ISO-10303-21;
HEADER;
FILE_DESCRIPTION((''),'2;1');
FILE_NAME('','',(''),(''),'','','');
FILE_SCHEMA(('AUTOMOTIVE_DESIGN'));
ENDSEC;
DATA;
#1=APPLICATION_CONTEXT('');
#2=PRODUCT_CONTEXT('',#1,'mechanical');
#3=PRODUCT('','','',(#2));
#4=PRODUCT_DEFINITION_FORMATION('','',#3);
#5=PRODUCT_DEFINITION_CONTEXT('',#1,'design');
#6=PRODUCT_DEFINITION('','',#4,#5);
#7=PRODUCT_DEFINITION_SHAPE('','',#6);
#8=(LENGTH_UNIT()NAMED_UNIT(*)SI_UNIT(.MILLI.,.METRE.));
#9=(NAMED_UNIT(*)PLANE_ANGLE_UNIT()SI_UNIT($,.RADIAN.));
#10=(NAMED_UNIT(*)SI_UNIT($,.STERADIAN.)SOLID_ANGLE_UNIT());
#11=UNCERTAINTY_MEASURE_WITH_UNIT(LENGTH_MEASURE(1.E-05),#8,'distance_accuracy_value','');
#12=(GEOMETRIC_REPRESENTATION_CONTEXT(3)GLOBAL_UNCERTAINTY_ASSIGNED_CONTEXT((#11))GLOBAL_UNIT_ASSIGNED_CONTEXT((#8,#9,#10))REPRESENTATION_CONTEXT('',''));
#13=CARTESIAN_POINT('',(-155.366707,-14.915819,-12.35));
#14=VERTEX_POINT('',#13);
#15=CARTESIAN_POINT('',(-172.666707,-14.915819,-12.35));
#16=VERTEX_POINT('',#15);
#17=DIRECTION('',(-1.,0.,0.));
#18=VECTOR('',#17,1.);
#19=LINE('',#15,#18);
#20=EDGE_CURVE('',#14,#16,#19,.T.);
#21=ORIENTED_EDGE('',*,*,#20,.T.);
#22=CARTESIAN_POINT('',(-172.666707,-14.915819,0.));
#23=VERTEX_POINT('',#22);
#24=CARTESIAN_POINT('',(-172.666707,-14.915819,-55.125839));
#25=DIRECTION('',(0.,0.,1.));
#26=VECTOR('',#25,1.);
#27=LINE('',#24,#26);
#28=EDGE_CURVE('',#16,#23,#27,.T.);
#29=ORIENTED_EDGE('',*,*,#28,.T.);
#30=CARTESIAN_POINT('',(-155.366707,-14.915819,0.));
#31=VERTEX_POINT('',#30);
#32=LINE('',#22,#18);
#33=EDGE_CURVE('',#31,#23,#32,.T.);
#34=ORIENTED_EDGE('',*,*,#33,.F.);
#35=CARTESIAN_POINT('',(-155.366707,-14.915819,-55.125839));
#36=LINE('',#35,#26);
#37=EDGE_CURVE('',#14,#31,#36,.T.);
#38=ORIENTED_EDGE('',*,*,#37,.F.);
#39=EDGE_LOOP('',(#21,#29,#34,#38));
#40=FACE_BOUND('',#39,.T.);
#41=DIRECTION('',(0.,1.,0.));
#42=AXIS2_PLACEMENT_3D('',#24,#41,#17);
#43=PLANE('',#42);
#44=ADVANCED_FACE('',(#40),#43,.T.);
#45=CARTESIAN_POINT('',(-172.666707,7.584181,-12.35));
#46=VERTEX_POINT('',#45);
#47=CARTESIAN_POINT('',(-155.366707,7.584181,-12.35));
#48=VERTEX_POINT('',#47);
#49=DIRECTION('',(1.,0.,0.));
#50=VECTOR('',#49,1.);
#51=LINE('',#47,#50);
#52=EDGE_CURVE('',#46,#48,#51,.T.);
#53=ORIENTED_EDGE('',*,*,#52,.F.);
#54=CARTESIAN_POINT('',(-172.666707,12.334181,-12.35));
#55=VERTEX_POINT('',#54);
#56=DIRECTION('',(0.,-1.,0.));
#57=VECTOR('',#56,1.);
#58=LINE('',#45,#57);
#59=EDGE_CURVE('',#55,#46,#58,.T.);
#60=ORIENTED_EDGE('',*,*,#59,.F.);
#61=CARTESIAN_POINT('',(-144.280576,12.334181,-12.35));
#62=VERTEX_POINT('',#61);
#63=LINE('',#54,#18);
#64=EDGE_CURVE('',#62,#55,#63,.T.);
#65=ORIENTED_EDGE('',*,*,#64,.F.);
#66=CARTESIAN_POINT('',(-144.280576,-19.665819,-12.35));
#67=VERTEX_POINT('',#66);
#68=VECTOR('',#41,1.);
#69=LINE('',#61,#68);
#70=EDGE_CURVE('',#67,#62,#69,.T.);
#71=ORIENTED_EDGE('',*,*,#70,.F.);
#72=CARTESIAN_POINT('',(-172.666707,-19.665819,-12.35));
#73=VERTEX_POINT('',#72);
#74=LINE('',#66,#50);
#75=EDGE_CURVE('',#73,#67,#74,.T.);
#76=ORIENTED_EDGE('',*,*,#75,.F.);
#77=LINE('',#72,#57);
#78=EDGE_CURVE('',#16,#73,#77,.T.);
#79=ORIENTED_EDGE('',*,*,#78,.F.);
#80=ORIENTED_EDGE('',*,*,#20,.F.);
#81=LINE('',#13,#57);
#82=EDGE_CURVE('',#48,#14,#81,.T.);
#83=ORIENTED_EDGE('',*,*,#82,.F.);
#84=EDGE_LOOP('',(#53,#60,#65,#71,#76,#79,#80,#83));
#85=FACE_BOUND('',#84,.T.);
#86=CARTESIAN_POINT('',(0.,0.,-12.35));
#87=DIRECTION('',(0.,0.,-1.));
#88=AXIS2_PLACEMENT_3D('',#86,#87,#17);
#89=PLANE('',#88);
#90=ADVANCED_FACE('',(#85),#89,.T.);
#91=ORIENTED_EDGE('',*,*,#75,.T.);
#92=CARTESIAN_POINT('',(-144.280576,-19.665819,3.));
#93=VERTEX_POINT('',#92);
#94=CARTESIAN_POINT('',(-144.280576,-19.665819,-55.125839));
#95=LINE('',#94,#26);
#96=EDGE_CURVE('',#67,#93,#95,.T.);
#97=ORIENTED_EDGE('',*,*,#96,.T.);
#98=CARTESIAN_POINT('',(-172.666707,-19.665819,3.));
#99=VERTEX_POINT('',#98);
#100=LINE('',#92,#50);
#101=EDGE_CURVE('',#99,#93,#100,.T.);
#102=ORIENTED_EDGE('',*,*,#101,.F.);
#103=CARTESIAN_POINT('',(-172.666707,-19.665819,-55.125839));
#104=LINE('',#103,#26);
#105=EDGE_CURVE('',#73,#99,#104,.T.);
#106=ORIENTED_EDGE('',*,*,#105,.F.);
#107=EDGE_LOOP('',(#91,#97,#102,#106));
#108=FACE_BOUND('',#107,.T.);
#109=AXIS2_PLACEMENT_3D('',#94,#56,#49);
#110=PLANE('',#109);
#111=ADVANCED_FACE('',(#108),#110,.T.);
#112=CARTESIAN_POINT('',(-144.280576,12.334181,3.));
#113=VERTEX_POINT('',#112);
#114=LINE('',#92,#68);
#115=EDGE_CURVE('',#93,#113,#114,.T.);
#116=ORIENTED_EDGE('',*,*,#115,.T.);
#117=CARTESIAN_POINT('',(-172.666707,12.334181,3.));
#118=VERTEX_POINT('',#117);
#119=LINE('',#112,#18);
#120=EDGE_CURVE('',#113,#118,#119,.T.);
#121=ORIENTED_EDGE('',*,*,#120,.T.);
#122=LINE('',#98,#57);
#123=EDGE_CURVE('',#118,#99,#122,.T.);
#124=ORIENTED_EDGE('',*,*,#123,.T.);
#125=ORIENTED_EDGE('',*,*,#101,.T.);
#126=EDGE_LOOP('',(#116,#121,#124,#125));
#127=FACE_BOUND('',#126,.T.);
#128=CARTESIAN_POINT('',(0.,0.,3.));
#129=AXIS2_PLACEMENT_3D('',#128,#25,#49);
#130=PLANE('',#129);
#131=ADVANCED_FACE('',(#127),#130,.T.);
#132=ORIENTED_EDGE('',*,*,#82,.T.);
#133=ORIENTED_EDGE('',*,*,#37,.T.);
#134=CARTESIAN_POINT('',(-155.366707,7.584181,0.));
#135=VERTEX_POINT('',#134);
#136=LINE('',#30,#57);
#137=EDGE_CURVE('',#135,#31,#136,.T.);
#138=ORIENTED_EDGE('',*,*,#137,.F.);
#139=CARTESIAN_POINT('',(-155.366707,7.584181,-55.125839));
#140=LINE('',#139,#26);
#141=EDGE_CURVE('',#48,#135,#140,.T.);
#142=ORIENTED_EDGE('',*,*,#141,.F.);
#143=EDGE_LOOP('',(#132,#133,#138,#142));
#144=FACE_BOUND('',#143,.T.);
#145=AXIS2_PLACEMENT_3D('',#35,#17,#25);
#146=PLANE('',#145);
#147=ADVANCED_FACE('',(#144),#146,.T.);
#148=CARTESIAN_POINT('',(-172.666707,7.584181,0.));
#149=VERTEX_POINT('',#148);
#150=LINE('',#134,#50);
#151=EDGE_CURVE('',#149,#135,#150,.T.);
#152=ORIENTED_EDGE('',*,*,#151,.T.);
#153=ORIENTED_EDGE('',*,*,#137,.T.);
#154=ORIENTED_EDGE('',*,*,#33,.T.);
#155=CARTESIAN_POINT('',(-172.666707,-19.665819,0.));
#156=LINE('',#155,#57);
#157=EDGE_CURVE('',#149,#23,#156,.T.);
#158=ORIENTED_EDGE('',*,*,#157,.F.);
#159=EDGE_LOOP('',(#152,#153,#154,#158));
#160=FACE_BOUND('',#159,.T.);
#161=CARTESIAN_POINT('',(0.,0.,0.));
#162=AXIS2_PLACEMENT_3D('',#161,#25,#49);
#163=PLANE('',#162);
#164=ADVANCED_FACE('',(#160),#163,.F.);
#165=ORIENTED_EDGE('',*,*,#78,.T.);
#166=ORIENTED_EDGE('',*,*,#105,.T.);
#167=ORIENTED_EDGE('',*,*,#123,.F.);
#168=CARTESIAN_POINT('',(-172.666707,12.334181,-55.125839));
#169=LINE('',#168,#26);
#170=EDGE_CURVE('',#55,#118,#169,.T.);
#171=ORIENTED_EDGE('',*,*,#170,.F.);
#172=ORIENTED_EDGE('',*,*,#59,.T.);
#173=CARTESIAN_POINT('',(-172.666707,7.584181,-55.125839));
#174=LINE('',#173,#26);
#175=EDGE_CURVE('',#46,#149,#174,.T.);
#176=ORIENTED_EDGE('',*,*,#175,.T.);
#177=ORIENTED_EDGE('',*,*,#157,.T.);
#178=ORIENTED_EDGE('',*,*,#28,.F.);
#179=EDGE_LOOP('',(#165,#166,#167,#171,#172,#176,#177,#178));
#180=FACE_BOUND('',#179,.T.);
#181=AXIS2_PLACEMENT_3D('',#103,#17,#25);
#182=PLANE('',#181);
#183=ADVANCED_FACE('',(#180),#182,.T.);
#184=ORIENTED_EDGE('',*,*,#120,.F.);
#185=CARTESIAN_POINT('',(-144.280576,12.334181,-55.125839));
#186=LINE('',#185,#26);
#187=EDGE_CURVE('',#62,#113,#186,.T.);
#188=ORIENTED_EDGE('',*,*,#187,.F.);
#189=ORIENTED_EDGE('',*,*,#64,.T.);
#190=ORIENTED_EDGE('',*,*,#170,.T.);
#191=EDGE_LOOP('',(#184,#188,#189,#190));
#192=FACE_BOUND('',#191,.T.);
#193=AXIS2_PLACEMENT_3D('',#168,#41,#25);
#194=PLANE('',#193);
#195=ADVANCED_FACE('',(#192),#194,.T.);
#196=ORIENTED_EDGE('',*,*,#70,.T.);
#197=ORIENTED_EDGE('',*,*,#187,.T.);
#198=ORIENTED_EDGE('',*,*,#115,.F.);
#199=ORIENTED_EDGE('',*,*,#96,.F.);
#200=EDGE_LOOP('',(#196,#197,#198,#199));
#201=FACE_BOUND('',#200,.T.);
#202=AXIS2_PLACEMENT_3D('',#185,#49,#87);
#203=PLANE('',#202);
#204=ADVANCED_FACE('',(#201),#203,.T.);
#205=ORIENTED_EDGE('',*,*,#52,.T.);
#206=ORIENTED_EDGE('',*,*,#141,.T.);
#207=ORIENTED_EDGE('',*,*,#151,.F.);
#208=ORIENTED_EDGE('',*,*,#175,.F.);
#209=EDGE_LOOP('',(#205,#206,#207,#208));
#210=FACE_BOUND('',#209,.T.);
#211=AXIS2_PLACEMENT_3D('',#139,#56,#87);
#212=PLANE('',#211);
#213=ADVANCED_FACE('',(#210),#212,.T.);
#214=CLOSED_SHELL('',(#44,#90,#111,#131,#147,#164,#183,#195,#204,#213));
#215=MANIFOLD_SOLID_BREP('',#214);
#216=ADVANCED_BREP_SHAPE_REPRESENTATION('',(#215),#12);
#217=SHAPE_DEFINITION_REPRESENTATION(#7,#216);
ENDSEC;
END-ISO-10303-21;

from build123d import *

# Parameters (mm, degrees)
BOSS_EXTRUDE1_DEPTH = 12.35
SKETCH2_W           = 28.386130872
SKETCH2_H           = 32
BOSS_EXTRUDE2_DEPTH = 3


with BuildPart() as part:
    # Sketch1 → Boss-Extrude1 (new body)
    with BuildSketch(Plane.XY):
        Polygon((-155.366706922, 7.584180911), (-172.666706922, 7.584180911), (-172.666706922, 12.334180911), (-144.28057605, 12.334180911), (-144.28057605, -19.665819089), (-172.666706922, -19.665819089), (-172.666706922, -14.915819089), (-155.366706922, -14.915819089), align=None)
    extrude(amount=-BOSS_EXTRUDE1_DEPTH)

    # Sketch2 → Boss-Extrude2 (add)
    with BuildSketch(Plane.XY):
        with Locations((-158.473641486, -3.665819089)):
            Rectangle(SKETCH2_W, SKETCH2_H)
    extrude(amount=BOSS_EXTRUDE2_DEPTH)


solid = part.part
